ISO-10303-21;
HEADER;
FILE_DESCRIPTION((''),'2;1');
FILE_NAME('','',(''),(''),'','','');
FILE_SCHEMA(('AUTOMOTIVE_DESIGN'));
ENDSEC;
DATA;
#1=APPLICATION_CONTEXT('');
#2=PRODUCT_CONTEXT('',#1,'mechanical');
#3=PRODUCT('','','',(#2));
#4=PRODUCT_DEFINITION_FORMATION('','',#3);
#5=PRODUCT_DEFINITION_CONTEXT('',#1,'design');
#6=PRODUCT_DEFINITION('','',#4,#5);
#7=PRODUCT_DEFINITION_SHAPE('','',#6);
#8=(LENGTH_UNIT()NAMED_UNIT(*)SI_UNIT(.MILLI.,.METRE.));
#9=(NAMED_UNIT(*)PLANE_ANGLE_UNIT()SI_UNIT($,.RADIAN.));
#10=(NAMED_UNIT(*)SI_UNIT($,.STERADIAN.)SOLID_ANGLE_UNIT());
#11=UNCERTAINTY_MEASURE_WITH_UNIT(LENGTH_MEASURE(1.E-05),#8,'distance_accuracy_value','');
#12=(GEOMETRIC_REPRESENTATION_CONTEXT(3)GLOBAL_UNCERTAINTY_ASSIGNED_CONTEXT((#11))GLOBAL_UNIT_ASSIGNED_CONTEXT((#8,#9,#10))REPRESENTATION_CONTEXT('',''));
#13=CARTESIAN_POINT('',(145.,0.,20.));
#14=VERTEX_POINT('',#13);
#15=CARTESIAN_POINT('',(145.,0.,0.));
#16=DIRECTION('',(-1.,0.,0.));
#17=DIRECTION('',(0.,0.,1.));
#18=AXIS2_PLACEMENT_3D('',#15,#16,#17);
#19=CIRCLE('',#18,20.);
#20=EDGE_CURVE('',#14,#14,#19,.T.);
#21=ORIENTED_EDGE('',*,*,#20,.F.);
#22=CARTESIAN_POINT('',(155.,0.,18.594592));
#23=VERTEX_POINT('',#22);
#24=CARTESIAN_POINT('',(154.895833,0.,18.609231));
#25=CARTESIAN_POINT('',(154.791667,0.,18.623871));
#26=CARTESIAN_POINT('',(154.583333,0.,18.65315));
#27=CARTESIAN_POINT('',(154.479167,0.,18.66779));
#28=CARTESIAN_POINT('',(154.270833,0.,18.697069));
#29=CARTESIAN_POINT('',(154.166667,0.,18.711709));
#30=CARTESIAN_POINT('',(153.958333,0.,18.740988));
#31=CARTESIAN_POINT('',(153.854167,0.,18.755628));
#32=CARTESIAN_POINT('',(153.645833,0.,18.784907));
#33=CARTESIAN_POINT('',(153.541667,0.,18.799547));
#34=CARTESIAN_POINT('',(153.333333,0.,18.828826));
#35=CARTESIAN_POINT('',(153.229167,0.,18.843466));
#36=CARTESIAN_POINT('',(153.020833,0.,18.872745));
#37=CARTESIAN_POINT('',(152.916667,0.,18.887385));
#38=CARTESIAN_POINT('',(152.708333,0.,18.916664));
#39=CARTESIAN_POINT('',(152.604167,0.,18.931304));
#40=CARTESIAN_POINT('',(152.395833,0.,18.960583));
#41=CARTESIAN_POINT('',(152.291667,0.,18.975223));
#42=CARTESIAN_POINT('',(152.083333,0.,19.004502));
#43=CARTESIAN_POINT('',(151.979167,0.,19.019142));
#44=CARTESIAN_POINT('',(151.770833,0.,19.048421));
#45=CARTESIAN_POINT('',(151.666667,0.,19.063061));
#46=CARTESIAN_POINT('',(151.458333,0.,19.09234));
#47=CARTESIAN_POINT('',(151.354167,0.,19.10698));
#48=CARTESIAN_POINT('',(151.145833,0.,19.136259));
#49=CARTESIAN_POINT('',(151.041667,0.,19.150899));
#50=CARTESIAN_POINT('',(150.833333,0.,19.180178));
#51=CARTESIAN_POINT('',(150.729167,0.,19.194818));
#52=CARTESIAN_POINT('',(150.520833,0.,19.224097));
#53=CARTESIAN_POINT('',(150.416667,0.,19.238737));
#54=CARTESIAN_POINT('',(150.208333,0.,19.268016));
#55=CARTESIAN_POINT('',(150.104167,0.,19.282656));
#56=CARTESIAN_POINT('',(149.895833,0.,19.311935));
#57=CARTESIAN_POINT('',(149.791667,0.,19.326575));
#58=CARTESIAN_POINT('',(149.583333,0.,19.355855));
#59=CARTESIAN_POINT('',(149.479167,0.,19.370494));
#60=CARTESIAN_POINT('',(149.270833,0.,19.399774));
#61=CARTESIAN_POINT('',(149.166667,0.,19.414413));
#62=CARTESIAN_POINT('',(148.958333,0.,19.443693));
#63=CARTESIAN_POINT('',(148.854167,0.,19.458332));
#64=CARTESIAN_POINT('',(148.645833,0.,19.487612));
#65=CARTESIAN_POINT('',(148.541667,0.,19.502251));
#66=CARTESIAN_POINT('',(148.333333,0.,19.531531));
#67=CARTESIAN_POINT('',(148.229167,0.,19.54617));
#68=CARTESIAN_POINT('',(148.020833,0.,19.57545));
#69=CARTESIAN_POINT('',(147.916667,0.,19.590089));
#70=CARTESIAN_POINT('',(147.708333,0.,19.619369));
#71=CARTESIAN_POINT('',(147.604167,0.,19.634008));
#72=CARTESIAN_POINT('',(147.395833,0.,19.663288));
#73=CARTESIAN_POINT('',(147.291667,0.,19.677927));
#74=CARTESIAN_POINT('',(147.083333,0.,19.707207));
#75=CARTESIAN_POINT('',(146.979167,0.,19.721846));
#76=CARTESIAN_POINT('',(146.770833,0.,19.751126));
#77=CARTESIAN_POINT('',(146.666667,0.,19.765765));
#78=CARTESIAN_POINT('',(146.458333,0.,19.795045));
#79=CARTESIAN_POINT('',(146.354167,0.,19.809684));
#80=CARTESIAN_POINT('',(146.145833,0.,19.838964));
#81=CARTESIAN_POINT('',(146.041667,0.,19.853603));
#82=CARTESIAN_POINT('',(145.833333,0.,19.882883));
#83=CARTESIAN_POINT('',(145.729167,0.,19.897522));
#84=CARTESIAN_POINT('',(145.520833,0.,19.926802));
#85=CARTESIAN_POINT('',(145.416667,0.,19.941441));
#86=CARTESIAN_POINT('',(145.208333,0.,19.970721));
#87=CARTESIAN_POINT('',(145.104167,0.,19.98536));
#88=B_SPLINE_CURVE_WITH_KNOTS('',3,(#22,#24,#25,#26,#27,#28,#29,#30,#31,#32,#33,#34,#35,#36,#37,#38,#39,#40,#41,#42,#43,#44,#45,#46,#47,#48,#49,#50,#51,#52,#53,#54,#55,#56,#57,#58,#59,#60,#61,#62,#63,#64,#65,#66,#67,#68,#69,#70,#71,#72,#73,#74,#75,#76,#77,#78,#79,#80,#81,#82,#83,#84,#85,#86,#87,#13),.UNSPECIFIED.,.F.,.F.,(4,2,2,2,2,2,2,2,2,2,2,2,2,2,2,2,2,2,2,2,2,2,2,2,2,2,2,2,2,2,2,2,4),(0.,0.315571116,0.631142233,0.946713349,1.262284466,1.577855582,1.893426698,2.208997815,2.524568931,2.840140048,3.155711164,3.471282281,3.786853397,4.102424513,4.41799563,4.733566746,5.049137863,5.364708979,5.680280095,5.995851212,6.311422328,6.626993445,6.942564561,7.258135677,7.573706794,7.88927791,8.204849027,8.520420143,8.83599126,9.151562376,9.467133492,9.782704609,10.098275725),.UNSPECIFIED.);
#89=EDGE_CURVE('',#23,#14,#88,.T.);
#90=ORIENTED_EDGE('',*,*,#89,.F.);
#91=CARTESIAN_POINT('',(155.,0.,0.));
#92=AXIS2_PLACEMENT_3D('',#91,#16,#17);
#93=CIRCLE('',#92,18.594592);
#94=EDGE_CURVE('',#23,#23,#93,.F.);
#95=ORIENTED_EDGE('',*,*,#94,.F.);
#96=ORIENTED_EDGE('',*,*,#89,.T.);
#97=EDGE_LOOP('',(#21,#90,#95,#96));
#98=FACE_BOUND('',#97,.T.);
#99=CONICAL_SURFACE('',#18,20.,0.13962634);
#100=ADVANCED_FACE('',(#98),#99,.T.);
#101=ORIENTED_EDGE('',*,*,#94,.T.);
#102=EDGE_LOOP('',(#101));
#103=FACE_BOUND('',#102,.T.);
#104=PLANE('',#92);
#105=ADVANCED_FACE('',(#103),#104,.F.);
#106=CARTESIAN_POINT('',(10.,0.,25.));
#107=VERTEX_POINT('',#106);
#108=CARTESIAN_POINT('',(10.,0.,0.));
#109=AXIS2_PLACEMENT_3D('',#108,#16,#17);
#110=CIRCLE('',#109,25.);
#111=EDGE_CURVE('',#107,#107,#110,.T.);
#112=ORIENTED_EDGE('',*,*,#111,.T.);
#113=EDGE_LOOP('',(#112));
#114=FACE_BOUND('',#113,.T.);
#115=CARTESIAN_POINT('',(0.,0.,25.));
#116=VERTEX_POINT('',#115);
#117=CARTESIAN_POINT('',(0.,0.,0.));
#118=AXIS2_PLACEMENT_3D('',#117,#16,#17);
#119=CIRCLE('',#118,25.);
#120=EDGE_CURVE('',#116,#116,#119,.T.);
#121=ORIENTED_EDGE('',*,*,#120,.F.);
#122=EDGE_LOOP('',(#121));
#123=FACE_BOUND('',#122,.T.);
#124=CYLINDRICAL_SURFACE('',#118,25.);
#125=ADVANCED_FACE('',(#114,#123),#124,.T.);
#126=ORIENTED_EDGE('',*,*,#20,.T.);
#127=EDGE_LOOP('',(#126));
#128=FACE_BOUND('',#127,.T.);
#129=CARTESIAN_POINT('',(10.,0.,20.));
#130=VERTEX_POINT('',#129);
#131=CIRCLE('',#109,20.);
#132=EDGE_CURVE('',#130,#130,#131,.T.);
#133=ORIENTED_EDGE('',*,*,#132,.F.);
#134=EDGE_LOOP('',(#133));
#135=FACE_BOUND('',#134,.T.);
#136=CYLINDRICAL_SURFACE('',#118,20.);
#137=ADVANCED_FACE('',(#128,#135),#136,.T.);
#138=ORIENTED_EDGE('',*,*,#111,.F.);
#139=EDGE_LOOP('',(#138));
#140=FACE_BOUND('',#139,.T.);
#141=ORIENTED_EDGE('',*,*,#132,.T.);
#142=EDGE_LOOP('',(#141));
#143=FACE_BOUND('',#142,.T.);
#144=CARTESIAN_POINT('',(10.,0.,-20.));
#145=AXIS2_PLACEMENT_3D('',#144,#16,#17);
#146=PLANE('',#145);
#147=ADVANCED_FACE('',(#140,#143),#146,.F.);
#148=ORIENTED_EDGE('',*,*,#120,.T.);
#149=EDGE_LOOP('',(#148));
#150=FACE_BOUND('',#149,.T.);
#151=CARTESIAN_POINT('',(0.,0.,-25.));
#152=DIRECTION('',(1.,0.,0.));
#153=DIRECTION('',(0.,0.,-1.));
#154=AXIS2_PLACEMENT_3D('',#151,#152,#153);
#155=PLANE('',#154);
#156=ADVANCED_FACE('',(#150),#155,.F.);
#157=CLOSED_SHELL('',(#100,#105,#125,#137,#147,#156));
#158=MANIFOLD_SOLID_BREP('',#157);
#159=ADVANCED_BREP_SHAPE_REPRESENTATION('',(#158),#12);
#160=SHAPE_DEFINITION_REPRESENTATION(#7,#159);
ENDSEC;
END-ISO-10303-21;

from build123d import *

# Parameters (mm, degrees)
CHAMFER1_SIZE  = 10
CHAMFER1_SIZE2 = 1.405408347


with BuildPart() as part:
    # Sketch1 → Revolve1 (revolve)
    with BuildSketch(Plane(origin=(0, 0, 0), x_dir=(1, 0, 0), z_dir=(0, 1, 0)), mode=Mode.PRIVATE) as revolve1_sk:
        Polygon((0, 0), (155, 0), (155, 20), (10, 20), (10, 25), (0, 25), align=None)
    revolve(revolve1_sk.sketch.rotate(Axis((0, 0, 0), (1, 0, 0)), 180), axis=Axis((0, 0, 0), (1, 0, 0)))

    # Chamfer1
    chamfer1_edges = [part.edges().sort_by_distance(p)[0] for p in [
        (155, 0, -20),
    ]]
    chamfer1_side = [part.faces().sort_by_distance(p)[0] for p in [
        (82.5, 0, -20),
    ]]
    chamfer(chamfer1_edges, length=CHAMFER1_SIZE, length2=CHAMFER1_SIZE2, reference=chamfer1_side[0])


solid = part.part
